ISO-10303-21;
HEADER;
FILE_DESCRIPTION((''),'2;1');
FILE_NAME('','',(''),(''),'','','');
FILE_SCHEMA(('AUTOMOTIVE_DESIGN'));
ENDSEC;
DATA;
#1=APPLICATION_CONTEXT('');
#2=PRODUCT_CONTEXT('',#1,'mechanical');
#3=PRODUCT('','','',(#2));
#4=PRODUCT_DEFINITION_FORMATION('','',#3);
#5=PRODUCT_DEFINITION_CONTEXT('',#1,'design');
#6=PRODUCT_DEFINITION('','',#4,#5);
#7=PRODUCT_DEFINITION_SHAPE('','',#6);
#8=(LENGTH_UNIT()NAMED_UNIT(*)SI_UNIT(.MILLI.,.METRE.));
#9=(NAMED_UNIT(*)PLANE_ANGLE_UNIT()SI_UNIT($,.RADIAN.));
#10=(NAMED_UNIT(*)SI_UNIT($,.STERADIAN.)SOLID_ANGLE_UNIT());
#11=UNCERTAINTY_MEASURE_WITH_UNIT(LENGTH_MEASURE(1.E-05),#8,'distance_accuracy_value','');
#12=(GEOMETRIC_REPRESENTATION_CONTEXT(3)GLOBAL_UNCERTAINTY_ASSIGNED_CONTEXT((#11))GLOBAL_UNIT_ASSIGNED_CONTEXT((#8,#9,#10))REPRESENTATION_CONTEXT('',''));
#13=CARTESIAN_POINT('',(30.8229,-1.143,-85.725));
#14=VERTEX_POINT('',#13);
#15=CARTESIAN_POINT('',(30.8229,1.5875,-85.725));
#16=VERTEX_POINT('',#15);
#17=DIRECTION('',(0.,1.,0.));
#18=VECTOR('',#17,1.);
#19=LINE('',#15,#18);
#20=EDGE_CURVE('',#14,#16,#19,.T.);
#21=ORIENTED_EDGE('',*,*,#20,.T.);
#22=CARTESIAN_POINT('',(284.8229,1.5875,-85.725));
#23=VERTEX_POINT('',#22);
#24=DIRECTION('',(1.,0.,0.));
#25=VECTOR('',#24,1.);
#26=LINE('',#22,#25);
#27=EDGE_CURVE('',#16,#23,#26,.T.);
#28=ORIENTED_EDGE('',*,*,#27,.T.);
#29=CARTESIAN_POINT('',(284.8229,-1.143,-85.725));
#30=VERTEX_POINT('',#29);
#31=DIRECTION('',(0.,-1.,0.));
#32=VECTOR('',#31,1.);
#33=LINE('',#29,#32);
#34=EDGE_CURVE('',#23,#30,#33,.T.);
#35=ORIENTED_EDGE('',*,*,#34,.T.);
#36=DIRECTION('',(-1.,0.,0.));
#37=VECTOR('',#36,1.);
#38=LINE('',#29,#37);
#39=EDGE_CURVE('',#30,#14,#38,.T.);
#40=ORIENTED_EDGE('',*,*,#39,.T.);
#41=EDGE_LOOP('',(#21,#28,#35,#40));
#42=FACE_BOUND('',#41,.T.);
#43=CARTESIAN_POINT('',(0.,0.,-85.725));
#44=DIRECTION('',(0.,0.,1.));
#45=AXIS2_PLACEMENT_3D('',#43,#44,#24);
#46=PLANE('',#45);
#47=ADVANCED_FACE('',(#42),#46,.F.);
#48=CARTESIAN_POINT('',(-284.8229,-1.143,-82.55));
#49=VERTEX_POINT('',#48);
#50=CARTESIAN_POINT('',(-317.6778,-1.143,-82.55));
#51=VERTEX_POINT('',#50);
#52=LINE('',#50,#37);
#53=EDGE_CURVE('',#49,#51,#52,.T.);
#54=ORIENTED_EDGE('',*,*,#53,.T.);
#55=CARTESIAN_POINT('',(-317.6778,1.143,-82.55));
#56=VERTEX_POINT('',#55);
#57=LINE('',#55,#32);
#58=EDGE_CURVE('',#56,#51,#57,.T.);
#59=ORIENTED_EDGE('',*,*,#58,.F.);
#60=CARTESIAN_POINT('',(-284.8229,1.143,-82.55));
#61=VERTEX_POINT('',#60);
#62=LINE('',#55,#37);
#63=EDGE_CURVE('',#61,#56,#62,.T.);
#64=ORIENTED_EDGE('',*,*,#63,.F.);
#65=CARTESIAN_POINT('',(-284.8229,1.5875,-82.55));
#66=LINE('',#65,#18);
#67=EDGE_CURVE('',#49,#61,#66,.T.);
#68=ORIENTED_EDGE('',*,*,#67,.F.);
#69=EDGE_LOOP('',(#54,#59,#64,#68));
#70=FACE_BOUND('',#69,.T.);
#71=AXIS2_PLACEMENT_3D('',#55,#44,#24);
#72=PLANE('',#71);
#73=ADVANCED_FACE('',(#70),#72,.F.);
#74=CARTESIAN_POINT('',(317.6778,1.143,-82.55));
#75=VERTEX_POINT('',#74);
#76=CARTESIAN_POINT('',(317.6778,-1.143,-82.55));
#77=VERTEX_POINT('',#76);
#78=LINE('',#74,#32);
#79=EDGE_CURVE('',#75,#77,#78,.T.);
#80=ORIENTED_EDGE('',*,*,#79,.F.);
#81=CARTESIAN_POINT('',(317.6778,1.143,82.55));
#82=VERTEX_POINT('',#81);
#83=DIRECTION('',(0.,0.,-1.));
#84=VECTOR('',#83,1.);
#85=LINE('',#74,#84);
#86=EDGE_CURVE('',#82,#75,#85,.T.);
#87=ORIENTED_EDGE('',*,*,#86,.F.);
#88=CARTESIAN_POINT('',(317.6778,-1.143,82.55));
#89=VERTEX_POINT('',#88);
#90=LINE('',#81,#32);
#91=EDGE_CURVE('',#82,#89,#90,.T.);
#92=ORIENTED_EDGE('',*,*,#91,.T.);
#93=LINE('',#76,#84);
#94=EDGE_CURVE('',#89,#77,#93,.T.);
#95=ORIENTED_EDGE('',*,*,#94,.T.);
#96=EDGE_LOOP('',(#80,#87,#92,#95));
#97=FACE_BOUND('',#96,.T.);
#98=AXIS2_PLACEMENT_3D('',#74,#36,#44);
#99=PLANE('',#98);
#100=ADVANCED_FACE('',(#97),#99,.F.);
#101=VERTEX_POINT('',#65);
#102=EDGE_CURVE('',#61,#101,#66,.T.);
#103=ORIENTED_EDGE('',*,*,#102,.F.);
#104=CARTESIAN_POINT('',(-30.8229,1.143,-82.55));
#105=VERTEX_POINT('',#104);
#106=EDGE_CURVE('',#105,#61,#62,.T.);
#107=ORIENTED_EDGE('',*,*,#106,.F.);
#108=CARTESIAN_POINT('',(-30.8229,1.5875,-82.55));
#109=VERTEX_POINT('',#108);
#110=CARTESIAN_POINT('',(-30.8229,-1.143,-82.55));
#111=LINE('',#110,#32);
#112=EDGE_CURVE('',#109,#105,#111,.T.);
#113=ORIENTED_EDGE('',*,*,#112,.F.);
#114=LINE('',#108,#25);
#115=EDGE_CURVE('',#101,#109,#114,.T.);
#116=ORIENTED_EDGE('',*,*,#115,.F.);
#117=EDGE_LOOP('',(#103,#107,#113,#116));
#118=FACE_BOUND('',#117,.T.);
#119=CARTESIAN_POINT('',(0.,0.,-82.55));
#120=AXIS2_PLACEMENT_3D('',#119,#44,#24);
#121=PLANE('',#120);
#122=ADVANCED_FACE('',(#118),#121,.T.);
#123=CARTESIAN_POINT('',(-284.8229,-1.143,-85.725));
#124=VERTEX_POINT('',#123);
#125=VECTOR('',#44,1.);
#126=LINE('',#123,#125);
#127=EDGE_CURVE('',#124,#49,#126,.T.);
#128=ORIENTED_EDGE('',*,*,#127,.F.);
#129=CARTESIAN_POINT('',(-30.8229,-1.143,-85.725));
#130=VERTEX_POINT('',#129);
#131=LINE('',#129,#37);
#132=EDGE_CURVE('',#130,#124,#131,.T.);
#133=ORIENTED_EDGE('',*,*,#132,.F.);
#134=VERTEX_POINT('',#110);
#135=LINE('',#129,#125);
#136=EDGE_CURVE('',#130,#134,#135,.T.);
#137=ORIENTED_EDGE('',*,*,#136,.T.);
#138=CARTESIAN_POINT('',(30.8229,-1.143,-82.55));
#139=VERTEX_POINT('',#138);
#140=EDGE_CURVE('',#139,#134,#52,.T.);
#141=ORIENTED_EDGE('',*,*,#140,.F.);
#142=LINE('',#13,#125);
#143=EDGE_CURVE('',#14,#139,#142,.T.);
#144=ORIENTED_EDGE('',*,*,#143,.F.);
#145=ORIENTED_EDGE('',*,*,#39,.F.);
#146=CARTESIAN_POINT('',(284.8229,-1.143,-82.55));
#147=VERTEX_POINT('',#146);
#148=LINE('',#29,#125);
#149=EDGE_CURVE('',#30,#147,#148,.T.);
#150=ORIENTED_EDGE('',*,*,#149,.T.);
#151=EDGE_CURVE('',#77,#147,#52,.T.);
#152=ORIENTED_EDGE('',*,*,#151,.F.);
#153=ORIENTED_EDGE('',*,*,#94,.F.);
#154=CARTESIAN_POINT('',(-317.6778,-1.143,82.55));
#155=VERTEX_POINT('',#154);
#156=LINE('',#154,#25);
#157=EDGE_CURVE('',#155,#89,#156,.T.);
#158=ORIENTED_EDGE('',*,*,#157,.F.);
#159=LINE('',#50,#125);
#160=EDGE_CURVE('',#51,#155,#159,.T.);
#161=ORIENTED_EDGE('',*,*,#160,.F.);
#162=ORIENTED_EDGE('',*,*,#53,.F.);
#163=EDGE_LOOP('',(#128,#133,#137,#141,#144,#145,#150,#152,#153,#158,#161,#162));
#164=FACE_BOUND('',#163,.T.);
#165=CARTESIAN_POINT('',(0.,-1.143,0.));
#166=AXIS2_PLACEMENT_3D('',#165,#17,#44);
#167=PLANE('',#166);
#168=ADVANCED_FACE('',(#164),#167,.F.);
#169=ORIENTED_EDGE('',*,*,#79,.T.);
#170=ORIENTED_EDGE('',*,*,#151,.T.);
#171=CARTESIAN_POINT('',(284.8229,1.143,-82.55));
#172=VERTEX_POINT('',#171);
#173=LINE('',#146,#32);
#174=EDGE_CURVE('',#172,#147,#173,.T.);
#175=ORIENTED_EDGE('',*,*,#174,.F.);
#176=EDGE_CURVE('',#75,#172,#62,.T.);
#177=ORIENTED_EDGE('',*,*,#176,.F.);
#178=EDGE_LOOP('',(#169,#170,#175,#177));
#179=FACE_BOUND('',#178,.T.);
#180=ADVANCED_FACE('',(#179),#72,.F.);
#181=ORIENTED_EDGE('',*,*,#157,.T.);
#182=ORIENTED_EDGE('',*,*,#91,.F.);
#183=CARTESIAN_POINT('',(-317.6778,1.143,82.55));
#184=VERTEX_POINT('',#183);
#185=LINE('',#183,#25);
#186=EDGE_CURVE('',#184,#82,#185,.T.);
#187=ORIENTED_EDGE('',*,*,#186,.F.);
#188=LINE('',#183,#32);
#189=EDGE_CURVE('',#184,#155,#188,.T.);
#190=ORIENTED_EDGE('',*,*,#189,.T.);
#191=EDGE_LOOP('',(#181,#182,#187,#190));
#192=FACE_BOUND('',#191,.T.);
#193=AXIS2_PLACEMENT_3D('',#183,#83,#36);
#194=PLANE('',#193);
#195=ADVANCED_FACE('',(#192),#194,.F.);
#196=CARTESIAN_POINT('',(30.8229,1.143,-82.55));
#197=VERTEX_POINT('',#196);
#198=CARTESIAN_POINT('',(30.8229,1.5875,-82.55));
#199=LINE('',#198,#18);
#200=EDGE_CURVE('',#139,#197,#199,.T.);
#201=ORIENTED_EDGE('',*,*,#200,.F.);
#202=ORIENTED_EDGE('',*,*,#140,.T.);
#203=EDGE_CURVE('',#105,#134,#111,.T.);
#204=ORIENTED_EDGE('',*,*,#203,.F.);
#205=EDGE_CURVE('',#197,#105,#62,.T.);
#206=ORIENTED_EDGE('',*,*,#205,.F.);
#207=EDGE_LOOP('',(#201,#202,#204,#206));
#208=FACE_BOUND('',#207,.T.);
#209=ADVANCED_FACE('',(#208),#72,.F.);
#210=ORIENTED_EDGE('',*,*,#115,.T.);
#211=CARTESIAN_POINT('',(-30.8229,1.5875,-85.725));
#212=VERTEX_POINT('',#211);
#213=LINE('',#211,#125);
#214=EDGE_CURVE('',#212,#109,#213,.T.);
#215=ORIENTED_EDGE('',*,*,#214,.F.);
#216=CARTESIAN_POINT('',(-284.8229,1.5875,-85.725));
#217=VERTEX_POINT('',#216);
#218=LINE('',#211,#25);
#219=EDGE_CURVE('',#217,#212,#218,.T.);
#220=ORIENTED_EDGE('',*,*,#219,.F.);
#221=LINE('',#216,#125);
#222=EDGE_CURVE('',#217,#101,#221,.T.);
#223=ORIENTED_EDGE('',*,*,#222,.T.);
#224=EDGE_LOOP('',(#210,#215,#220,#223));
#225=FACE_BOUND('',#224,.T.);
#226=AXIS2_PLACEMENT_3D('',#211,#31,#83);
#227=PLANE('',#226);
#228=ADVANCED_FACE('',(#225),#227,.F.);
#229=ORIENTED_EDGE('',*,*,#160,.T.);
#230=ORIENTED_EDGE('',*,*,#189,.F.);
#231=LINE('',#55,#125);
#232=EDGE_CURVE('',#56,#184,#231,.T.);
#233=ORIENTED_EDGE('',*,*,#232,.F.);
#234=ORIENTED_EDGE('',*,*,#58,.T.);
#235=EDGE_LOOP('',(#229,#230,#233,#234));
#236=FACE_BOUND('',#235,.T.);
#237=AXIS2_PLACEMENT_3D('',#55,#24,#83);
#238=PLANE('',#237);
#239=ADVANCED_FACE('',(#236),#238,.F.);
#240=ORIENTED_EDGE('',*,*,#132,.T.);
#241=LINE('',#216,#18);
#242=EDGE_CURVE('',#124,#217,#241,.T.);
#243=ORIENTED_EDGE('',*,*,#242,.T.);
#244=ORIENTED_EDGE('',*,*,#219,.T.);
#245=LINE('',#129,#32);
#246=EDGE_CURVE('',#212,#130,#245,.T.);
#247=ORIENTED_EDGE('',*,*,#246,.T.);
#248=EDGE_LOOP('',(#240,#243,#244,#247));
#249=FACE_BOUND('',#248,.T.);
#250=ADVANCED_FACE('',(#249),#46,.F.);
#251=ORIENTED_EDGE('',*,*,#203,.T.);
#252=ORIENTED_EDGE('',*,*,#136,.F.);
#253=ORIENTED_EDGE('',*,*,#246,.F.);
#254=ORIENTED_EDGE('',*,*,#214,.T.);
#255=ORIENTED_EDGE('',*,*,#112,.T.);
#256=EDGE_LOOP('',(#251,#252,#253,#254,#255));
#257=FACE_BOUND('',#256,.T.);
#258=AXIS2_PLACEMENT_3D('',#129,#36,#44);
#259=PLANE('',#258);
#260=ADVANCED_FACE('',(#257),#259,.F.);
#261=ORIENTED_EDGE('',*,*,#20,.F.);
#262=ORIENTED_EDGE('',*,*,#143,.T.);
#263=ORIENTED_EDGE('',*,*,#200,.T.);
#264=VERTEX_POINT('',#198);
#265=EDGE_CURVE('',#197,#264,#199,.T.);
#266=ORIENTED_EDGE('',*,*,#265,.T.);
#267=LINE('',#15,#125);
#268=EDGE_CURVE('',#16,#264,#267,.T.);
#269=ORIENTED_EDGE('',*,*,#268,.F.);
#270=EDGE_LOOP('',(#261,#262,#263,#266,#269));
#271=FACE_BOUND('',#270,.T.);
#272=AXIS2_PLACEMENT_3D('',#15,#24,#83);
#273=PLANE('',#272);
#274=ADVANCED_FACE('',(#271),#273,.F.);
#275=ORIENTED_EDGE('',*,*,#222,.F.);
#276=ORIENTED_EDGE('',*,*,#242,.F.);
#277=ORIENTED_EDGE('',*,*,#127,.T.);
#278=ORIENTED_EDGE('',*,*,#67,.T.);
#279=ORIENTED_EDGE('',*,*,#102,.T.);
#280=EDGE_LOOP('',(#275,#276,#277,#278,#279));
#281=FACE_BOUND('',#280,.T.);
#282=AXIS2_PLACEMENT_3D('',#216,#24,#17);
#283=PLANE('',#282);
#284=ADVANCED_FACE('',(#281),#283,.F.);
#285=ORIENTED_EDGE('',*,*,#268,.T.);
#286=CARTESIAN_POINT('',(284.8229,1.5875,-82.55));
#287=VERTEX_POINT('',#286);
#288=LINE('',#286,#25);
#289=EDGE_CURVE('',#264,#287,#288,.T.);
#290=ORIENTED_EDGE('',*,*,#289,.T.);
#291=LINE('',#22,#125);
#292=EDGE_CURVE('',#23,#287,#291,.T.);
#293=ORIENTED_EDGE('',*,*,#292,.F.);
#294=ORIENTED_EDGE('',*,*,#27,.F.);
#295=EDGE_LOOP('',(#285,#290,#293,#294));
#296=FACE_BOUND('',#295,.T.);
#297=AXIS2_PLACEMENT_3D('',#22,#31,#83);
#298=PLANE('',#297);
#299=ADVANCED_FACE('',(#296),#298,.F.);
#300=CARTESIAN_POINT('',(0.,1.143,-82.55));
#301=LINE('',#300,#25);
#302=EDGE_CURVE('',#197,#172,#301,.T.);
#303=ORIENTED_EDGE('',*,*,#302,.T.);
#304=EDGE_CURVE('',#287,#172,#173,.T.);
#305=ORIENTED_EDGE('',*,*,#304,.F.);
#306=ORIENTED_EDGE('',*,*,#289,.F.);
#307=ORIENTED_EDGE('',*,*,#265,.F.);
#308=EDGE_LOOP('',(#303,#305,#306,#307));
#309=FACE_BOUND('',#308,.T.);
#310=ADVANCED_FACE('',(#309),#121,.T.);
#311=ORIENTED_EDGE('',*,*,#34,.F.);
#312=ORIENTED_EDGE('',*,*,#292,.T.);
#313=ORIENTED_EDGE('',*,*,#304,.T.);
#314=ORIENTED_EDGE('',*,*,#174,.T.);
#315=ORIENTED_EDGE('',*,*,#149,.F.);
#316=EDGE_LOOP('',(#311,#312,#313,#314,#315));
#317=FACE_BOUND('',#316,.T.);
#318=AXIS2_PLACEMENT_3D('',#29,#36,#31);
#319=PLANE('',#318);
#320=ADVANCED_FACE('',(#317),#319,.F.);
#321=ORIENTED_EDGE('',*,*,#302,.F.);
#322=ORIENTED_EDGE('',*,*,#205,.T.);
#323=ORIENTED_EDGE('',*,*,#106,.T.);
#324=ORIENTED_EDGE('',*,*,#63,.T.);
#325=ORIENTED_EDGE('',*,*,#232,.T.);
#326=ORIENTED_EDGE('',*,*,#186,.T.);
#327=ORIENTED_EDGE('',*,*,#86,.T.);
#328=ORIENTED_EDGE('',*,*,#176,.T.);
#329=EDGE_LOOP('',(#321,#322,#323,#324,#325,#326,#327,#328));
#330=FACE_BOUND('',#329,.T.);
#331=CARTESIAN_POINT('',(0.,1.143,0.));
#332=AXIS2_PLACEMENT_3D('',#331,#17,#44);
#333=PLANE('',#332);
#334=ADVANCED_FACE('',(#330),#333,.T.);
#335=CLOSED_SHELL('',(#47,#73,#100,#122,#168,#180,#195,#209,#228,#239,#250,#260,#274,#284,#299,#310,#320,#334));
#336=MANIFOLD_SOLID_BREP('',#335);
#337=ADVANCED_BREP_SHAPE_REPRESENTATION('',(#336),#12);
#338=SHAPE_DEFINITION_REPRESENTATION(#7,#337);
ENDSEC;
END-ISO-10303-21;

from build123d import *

# Parameters (mm, degrees)
SKETCH1_W           = 635.3556
SKETCH1_H           = 165.1
BOSS_EXTRUDE1_DEPTH = 1.143
SKETCH2_W           = 254
SKETCH2_H           = 2.7305
BOSS_EXTRUDE2_DEPTH = 3.175


with BuildPart() as part:
    # Sketch1 → Boss-Extrude1 (new, symmetric)
    with BuildSketch(Plane(origin=(0, 0, 0), x_dir=(1, 0, 0), z_dir=(0, 1, 0))):
        Rectangle(SKETCH1_W, SKETCH1_H)
    extrude(amount=BOSS_EXTRUDE1_DEPTH, both=True)

    # Sketch2 → Boss-Extrude2 (add)
    with BuildSketch(Plane(origin=(0, 0, -82.55), x_dir=(-1, 0, 0), z_dir=(0, 0, -1))):
        with Locations((-157.8229, 0.22225)):
            Rectangle(SKETCH2_W, SKETCH2_H)
        with Locations((157.8229, 0.22225)):
            Rectangle(SKETCH2_W, SKETCH2_H)
    extrude(amount=BOSS_EXTRUDE2_DEPTH)


solid = part.part
